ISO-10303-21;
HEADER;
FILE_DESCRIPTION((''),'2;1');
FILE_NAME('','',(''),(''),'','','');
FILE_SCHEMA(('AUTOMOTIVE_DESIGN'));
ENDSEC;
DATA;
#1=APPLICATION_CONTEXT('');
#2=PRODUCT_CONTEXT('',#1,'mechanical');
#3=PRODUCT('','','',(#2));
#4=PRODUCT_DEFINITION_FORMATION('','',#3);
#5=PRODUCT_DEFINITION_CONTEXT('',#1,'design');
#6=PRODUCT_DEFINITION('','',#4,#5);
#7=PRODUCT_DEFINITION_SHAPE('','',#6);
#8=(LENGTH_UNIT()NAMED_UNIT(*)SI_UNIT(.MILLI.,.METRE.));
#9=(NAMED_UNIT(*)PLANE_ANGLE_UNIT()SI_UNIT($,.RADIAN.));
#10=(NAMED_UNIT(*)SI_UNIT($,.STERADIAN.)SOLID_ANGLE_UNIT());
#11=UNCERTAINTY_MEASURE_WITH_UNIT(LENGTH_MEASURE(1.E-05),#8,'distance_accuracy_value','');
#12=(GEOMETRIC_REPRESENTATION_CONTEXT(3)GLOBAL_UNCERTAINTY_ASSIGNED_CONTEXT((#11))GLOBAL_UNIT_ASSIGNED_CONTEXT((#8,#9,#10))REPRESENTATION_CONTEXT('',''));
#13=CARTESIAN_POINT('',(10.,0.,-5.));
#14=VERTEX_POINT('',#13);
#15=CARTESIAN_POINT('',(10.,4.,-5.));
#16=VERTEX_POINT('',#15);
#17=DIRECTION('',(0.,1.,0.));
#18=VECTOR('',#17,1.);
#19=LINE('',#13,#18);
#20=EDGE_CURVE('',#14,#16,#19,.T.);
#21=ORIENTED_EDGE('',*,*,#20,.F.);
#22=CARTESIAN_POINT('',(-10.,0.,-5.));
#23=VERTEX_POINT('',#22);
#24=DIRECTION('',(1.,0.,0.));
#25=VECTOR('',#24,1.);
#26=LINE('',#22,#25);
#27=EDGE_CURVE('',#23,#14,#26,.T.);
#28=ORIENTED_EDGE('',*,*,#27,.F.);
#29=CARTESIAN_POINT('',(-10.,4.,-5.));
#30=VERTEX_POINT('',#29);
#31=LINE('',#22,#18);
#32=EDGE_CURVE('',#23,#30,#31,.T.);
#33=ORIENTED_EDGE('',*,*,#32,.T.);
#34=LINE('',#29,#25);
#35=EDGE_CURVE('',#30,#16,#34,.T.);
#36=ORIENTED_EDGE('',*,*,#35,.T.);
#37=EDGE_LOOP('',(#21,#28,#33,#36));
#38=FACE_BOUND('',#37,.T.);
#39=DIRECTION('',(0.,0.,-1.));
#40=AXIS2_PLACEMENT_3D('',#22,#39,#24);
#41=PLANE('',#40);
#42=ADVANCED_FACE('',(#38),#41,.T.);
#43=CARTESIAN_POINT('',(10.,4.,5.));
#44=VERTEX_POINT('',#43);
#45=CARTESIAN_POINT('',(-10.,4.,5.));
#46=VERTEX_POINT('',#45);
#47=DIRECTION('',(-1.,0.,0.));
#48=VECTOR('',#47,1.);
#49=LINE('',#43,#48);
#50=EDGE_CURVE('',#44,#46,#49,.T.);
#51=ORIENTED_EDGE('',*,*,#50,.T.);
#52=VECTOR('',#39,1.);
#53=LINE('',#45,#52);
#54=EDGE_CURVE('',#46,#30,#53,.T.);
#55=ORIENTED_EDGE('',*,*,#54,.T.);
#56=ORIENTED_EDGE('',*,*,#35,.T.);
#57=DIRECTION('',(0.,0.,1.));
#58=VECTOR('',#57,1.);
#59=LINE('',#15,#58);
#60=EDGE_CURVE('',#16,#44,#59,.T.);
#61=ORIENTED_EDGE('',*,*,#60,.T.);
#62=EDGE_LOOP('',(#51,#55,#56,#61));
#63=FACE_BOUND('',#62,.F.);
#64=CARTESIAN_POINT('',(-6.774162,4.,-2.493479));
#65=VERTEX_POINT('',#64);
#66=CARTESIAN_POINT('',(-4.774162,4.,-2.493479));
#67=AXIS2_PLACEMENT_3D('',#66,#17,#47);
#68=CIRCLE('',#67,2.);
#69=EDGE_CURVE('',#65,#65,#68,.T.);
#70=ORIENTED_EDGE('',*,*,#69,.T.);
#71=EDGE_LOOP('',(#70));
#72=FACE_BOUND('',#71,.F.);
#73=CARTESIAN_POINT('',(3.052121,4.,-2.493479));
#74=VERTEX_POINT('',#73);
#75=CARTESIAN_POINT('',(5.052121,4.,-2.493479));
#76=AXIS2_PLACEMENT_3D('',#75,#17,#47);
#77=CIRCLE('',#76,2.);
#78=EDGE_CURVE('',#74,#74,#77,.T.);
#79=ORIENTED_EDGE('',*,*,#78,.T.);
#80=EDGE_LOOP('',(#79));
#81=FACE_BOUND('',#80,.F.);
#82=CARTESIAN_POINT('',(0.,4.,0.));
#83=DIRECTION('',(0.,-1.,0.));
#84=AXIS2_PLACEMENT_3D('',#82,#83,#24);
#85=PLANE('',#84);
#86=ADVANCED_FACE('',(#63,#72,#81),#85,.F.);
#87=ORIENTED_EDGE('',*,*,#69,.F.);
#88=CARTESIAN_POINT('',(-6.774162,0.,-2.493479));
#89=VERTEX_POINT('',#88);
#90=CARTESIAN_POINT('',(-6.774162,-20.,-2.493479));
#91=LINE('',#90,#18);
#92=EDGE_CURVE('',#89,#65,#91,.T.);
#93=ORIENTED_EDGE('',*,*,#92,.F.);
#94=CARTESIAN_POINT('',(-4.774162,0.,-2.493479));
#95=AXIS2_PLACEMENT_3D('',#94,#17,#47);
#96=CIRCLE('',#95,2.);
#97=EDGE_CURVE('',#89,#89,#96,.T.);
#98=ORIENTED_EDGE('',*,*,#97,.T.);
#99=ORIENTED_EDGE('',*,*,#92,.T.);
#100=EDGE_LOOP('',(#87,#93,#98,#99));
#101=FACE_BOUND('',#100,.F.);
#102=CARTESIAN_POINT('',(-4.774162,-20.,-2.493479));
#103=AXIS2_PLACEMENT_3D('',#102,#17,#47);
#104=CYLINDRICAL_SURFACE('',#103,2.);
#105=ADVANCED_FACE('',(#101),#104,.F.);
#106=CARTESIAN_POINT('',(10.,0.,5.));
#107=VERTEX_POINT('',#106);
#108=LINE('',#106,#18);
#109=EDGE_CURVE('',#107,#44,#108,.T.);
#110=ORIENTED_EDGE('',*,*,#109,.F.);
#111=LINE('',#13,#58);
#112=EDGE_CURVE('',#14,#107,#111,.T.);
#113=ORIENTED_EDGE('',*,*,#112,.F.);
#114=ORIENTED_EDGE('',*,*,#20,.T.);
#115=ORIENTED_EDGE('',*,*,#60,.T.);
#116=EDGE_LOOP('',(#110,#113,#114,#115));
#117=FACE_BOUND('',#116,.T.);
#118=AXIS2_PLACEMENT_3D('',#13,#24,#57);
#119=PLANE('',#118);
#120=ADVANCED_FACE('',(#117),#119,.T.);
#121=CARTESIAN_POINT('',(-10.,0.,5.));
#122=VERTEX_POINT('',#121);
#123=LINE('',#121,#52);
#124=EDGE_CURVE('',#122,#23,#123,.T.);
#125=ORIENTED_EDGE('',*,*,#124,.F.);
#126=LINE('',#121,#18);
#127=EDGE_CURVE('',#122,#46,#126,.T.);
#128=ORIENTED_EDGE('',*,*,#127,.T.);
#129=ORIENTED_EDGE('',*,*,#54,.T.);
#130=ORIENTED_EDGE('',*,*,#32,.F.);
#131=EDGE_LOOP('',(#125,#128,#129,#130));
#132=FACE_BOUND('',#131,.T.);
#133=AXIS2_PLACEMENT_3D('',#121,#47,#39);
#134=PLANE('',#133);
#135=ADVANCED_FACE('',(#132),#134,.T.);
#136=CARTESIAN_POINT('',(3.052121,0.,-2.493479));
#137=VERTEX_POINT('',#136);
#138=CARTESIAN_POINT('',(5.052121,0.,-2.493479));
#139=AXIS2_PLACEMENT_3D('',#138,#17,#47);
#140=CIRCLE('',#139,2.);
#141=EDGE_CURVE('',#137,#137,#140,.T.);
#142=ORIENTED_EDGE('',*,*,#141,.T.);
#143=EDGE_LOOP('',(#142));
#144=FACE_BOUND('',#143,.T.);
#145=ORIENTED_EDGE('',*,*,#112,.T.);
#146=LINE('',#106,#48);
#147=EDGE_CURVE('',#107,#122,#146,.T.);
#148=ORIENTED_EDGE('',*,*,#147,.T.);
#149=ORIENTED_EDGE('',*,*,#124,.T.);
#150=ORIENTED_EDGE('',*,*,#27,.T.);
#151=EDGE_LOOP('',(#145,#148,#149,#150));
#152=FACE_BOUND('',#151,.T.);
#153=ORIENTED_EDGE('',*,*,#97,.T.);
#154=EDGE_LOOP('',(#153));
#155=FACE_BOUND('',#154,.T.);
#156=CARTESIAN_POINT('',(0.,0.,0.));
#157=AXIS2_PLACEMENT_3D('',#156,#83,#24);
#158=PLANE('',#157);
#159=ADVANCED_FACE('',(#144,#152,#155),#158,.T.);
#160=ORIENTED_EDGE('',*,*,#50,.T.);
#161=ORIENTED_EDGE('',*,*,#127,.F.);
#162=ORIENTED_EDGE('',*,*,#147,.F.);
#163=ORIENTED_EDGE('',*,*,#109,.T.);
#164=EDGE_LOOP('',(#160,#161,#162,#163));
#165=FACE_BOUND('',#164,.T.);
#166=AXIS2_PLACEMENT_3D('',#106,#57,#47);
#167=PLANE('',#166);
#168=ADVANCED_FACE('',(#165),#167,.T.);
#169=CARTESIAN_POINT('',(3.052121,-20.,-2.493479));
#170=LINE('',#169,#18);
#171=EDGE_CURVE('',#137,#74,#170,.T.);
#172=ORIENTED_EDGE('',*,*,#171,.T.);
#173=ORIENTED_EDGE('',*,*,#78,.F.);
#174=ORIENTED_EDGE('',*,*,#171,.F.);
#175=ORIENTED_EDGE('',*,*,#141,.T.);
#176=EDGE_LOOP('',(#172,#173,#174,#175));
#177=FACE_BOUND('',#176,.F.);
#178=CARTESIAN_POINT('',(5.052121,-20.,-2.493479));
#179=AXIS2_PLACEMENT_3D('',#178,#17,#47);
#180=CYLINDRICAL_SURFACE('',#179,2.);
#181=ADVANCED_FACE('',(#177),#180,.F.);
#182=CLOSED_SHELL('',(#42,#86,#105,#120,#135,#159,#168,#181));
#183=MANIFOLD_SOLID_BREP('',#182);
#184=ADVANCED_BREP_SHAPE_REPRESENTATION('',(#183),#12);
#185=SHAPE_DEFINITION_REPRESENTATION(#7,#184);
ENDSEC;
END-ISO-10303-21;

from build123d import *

# Parameters (mm, degrees)
F1_DEPTH = 4
F3_D     = 4
F3_DEPTH = 20


with BuildPart() as f1:
    # F0 (on Front) → F1 (new body)
    with BuildSketch(Plane.XZ):
        Polygon((-10, -3.273288), (-10, -5), (0, -5), (10, -5), (10, -3.273288), (10, 5), (-10, 5), align=None)
    extrude(amount=-F1_DEPTH)

    # F3
    with Locations(Plane.XZ):
        with Locations((-4.774162, -2.493479), (5.052121, -2.493479)):
            Hole(F3_D / 2, depth=F3_DEPTH)


solid = f1.part
